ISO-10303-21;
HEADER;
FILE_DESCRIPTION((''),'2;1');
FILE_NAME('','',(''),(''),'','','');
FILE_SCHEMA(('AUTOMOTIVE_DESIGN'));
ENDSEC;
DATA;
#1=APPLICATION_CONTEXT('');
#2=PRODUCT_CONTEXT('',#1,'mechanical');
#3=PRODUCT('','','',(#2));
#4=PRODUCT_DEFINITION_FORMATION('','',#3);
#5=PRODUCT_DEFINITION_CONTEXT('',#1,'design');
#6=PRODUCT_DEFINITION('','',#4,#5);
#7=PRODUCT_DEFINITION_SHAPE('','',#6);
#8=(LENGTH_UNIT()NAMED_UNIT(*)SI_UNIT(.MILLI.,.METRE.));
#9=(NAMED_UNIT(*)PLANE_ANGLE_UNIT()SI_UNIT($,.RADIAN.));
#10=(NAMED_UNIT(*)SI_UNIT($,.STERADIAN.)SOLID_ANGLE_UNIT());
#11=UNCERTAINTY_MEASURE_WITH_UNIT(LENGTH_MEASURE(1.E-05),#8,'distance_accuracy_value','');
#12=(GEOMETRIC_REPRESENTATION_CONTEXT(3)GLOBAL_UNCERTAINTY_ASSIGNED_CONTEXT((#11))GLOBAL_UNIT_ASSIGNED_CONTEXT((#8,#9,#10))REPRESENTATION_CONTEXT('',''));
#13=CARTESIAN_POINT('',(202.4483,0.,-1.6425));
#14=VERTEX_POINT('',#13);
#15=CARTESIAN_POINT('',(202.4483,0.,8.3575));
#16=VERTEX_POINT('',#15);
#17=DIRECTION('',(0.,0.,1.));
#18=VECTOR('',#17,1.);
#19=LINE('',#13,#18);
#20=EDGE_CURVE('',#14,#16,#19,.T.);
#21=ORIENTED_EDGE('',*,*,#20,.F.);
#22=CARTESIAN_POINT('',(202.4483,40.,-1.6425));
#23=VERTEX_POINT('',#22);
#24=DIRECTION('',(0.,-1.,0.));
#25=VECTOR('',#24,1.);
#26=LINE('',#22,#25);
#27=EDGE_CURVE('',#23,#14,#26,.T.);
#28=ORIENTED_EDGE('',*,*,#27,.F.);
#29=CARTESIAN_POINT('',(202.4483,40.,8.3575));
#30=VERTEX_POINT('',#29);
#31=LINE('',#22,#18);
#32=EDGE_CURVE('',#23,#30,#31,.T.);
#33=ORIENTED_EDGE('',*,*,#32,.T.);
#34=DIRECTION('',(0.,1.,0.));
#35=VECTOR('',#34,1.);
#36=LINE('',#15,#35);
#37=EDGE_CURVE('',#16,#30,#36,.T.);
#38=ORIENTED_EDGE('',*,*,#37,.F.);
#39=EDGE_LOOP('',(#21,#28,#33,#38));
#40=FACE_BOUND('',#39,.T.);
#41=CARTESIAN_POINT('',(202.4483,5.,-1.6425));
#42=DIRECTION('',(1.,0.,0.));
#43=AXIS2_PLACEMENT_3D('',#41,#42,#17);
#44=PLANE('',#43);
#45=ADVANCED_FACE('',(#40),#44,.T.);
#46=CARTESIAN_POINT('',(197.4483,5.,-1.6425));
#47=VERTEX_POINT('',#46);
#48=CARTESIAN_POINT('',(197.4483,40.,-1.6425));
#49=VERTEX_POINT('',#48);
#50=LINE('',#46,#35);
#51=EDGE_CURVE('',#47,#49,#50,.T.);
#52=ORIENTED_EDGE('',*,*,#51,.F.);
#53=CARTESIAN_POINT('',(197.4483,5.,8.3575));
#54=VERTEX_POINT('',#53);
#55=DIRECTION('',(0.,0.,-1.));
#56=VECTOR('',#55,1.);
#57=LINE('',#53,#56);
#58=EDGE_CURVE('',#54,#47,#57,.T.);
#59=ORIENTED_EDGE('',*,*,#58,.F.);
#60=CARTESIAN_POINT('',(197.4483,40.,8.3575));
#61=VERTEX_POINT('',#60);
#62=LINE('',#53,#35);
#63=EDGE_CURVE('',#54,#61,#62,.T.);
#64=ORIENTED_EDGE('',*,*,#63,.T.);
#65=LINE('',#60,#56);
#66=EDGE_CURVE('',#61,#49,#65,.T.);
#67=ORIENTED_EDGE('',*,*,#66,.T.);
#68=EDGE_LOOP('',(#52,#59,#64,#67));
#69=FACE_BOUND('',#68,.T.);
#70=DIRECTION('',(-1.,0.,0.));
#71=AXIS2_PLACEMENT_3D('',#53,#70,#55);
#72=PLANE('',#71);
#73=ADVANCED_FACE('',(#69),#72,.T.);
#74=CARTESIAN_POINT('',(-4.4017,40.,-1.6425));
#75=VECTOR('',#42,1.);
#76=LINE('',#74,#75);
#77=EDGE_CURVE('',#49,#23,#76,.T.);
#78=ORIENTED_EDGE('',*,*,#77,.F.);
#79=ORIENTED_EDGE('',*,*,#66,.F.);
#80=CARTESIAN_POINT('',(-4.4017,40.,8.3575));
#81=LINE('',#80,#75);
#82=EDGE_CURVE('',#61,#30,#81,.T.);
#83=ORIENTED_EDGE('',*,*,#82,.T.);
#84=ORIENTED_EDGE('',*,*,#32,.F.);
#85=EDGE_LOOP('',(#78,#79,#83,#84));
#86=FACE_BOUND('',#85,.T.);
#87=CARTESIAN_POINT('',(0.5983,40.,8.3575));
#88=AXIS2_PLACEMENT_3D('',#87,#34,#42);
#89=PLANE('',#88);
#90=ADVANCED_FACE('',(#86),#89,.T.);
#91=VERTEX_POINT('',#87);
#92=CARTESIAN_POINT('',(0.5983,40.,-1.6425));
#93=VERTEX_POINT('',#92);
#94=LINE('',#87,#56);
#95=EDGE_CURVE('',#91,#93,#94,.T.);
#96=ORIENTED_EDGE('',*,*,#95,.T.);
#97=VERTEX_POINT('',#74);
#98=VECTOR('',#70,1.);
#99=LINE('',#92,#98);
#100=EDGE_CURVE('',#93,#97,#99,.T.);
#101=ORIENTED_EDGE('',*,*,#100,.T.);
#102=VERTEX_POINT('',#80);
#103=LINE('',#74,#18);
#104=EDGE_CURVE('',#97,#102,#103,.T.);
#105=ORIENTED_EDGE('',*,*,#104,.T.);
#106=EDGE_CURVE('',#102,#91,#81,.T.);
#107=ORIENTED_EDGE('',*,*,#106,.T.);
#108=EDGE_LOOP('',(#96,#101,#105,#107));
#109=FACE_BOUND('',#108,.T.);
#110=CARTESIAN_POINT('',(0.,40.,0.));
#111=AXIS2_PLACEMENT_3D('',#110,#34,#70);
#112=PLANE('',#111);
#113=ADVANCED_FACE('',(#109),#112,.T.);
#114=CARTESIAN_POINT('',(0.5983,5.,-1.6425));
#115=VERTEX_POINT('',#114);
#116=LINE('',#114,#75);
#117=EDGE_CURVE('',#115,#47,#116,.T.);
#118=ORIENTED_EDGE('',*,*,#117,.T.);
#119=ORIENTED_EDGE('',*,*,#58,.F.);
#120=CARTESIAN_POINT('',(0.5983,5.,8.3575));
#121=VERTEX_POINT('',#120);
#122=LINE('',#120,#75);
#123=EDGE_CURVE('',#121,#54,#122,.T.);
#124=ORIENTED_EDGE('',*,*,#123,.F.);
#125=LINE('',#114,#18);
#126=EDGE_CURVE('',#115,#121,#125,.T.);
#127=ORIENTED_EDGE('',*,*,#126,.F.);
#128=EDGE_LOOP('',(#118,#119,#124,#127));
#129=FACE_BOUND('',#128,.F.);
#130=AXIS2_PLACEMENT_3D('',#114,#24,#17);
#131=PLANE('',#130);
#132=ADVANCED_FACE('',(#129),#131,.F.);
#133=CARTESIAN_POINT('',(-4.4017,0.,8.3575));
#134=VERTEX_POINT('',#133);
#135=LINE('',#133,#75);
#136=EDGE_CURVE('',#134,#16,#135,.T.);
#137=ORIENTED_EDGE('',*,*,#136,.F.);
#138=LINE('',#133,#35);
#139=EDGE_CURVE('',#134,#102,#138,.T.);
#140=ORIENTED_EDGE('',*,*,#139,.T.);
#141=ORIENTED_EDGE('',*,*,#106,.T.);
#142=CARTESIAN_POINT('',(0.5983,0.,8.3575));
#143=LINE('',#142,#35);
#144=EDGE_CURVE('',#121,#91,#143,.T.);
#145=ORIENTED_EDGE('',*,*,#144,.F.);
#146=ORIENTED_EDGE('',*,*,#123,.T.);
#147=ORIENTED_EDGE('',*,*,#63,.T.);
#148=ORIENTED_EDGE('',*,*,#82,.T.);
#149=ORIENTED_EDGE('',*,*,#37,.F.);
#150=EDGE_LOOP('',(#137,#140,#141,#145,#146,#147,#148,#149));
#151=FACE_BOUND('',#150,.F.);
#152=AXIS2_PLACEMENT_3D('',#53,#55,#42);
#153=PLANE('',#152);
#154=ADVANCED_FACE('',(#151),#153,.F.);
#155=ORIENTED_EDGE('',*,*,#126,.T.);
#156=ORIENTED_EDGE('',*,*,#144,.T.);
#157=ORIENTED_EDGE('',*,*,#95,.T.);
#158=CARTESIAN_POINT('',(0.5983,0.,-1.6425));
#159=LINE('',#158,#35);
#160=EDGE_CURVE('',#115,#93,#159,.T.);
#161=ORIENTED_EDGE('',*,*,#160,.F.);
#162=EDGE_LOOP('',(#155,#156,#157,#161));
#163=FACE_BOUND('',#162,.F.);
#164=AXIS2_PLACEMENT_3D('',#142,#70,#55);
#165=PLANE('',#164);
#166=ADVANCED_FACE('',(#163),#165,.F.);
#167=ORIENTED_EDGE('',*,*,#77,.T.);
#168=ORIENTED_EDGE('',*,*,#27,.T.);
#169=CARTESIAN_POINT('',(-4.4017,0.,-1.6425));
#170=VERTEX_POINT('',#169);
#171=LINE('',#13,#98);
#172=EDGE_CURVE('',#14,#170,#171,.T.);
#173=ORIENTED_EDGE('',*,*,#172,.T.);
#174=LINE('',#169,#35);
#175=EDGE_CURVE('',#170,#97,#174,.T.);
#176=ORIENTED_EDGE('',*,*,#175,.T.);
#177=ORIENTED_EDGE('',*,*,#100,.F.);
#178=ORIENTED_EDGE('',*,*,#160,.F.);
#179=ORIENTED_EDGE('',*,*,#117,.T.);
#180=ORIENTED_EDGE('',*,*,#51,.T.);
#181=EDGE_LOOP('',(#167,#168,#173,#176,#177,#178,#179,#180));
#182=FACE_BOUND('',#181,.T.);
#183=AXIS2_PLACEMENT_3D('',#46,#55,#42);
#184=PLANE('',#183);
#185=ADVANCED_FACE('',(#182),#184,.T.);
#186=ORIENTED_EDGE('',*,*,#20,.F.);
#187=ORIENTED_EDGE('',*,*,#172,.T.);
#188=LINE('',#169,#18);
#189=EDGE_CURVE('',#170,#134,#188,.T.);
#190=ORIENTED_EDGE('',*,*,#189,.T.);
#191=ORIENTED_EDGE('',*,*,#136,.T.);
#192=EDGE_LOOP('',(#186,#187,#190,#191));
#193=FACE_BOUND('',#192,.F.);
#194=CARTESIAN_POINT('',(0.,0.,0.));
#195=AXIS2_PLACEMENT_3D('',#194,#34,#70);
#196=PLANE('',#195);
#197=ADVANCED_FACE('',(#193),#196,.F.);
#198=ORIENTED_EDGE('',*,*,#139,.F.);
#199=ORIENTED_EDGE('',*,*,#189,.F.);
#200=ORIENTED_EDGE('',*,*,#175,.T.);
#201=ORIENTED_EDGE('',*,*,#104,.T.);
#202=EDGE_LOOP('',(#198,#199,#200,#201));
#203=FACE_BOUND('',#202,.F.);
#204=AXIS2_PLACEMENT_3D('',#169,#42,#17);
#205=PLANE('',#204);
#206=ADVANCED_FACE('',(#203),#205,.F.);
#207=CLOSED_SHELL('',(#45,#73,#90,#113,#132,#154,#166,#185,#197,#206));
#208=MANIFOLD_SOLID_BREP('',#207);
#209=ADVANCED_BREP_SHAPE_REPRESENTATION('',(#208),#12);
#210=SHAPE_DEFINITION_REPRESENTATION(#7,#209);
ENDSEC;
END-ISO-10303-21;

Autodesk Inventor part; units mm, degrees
ref_plane "YZ Plane" through (0, 0, 0) normal (1, 0, 0) x (0, 1, 0)
ref_plane "XZ Plane" through (0, 0, 0) normal (0, 1, 0) x (-1, 0, 0)
ref_plane "XY Plane" through (0, 0, 0) normal (0, 0, 1) x (1, 0, 0)
sketch "Sketch1" plane through (0, 0, 0) normal (0, 1, 0) x (-1, 0, 0)
  line L0 (4.4017, 8.3575) -> (-0.5983, 8.3575)
  line L1 (-0.5983, 8.3575) -> (-0.5983, -1.6425)
  line L2 (-0.5983, -1.6425) -> (4.4017, -1.6425)
  line L3 (4.4017, -1.6425) -> (4.4017, 8.3575)
  point P0 (0, 0)
  dimension "d0" = 5
  dimension "d1" = 10
extrude "Extrusion1" add sketch "Sketch1" along normal blind 40
sketch "Sketch2" plane through (0.5983, 0, 8.3575) normal (1, 0, 0) x (0, 0, -1)
  line L0 (10, 0) -> (0, 0) projected
  line L1 (0, 0) -> (10, 0)
  line L2 (10, 0) -> (10, 5)
  line L3 (10, 5) -> (0, 5)
  line L4 (0, 5) -> (0, 0)
  point P0 (8.3575, 0)
  dimension "d4" = 5
extrude "Extrusion2" add sketch "Sketch2" along normal blind 201.85
sketch "Sketch3" plane through (202.4483, 0, 8.3575) normal (1, 0, 0) x (0, 0, -1)
  point P0 (8.3575, 0)
sketch "Sketch4" plane through (0.5983, 5, 8.3575) normal (0, 1, 0) x (1, 0, 0)
  line L0 (-5, 0) -> (201.85, 0) projected
  line L1 (-5, 10) -> (201.85, 10) projected
  line L2 (201.85, 0) -> (196.85, 0)
  line L3 (196.85, 0) -> (196.85, 10)
  line L4 (196.85, 10) -> (201.85, 10)
  line L5 (201.85, 10) -> (201.85, 0)
  point P0 (-0.5983, 8.3575)
  point P1 (196.85, 0)
  dimension "d7" = 5
extrude "Extrusion3" add sketch "Sketch4" along normal blind 35
properties part number "tester7.75"
